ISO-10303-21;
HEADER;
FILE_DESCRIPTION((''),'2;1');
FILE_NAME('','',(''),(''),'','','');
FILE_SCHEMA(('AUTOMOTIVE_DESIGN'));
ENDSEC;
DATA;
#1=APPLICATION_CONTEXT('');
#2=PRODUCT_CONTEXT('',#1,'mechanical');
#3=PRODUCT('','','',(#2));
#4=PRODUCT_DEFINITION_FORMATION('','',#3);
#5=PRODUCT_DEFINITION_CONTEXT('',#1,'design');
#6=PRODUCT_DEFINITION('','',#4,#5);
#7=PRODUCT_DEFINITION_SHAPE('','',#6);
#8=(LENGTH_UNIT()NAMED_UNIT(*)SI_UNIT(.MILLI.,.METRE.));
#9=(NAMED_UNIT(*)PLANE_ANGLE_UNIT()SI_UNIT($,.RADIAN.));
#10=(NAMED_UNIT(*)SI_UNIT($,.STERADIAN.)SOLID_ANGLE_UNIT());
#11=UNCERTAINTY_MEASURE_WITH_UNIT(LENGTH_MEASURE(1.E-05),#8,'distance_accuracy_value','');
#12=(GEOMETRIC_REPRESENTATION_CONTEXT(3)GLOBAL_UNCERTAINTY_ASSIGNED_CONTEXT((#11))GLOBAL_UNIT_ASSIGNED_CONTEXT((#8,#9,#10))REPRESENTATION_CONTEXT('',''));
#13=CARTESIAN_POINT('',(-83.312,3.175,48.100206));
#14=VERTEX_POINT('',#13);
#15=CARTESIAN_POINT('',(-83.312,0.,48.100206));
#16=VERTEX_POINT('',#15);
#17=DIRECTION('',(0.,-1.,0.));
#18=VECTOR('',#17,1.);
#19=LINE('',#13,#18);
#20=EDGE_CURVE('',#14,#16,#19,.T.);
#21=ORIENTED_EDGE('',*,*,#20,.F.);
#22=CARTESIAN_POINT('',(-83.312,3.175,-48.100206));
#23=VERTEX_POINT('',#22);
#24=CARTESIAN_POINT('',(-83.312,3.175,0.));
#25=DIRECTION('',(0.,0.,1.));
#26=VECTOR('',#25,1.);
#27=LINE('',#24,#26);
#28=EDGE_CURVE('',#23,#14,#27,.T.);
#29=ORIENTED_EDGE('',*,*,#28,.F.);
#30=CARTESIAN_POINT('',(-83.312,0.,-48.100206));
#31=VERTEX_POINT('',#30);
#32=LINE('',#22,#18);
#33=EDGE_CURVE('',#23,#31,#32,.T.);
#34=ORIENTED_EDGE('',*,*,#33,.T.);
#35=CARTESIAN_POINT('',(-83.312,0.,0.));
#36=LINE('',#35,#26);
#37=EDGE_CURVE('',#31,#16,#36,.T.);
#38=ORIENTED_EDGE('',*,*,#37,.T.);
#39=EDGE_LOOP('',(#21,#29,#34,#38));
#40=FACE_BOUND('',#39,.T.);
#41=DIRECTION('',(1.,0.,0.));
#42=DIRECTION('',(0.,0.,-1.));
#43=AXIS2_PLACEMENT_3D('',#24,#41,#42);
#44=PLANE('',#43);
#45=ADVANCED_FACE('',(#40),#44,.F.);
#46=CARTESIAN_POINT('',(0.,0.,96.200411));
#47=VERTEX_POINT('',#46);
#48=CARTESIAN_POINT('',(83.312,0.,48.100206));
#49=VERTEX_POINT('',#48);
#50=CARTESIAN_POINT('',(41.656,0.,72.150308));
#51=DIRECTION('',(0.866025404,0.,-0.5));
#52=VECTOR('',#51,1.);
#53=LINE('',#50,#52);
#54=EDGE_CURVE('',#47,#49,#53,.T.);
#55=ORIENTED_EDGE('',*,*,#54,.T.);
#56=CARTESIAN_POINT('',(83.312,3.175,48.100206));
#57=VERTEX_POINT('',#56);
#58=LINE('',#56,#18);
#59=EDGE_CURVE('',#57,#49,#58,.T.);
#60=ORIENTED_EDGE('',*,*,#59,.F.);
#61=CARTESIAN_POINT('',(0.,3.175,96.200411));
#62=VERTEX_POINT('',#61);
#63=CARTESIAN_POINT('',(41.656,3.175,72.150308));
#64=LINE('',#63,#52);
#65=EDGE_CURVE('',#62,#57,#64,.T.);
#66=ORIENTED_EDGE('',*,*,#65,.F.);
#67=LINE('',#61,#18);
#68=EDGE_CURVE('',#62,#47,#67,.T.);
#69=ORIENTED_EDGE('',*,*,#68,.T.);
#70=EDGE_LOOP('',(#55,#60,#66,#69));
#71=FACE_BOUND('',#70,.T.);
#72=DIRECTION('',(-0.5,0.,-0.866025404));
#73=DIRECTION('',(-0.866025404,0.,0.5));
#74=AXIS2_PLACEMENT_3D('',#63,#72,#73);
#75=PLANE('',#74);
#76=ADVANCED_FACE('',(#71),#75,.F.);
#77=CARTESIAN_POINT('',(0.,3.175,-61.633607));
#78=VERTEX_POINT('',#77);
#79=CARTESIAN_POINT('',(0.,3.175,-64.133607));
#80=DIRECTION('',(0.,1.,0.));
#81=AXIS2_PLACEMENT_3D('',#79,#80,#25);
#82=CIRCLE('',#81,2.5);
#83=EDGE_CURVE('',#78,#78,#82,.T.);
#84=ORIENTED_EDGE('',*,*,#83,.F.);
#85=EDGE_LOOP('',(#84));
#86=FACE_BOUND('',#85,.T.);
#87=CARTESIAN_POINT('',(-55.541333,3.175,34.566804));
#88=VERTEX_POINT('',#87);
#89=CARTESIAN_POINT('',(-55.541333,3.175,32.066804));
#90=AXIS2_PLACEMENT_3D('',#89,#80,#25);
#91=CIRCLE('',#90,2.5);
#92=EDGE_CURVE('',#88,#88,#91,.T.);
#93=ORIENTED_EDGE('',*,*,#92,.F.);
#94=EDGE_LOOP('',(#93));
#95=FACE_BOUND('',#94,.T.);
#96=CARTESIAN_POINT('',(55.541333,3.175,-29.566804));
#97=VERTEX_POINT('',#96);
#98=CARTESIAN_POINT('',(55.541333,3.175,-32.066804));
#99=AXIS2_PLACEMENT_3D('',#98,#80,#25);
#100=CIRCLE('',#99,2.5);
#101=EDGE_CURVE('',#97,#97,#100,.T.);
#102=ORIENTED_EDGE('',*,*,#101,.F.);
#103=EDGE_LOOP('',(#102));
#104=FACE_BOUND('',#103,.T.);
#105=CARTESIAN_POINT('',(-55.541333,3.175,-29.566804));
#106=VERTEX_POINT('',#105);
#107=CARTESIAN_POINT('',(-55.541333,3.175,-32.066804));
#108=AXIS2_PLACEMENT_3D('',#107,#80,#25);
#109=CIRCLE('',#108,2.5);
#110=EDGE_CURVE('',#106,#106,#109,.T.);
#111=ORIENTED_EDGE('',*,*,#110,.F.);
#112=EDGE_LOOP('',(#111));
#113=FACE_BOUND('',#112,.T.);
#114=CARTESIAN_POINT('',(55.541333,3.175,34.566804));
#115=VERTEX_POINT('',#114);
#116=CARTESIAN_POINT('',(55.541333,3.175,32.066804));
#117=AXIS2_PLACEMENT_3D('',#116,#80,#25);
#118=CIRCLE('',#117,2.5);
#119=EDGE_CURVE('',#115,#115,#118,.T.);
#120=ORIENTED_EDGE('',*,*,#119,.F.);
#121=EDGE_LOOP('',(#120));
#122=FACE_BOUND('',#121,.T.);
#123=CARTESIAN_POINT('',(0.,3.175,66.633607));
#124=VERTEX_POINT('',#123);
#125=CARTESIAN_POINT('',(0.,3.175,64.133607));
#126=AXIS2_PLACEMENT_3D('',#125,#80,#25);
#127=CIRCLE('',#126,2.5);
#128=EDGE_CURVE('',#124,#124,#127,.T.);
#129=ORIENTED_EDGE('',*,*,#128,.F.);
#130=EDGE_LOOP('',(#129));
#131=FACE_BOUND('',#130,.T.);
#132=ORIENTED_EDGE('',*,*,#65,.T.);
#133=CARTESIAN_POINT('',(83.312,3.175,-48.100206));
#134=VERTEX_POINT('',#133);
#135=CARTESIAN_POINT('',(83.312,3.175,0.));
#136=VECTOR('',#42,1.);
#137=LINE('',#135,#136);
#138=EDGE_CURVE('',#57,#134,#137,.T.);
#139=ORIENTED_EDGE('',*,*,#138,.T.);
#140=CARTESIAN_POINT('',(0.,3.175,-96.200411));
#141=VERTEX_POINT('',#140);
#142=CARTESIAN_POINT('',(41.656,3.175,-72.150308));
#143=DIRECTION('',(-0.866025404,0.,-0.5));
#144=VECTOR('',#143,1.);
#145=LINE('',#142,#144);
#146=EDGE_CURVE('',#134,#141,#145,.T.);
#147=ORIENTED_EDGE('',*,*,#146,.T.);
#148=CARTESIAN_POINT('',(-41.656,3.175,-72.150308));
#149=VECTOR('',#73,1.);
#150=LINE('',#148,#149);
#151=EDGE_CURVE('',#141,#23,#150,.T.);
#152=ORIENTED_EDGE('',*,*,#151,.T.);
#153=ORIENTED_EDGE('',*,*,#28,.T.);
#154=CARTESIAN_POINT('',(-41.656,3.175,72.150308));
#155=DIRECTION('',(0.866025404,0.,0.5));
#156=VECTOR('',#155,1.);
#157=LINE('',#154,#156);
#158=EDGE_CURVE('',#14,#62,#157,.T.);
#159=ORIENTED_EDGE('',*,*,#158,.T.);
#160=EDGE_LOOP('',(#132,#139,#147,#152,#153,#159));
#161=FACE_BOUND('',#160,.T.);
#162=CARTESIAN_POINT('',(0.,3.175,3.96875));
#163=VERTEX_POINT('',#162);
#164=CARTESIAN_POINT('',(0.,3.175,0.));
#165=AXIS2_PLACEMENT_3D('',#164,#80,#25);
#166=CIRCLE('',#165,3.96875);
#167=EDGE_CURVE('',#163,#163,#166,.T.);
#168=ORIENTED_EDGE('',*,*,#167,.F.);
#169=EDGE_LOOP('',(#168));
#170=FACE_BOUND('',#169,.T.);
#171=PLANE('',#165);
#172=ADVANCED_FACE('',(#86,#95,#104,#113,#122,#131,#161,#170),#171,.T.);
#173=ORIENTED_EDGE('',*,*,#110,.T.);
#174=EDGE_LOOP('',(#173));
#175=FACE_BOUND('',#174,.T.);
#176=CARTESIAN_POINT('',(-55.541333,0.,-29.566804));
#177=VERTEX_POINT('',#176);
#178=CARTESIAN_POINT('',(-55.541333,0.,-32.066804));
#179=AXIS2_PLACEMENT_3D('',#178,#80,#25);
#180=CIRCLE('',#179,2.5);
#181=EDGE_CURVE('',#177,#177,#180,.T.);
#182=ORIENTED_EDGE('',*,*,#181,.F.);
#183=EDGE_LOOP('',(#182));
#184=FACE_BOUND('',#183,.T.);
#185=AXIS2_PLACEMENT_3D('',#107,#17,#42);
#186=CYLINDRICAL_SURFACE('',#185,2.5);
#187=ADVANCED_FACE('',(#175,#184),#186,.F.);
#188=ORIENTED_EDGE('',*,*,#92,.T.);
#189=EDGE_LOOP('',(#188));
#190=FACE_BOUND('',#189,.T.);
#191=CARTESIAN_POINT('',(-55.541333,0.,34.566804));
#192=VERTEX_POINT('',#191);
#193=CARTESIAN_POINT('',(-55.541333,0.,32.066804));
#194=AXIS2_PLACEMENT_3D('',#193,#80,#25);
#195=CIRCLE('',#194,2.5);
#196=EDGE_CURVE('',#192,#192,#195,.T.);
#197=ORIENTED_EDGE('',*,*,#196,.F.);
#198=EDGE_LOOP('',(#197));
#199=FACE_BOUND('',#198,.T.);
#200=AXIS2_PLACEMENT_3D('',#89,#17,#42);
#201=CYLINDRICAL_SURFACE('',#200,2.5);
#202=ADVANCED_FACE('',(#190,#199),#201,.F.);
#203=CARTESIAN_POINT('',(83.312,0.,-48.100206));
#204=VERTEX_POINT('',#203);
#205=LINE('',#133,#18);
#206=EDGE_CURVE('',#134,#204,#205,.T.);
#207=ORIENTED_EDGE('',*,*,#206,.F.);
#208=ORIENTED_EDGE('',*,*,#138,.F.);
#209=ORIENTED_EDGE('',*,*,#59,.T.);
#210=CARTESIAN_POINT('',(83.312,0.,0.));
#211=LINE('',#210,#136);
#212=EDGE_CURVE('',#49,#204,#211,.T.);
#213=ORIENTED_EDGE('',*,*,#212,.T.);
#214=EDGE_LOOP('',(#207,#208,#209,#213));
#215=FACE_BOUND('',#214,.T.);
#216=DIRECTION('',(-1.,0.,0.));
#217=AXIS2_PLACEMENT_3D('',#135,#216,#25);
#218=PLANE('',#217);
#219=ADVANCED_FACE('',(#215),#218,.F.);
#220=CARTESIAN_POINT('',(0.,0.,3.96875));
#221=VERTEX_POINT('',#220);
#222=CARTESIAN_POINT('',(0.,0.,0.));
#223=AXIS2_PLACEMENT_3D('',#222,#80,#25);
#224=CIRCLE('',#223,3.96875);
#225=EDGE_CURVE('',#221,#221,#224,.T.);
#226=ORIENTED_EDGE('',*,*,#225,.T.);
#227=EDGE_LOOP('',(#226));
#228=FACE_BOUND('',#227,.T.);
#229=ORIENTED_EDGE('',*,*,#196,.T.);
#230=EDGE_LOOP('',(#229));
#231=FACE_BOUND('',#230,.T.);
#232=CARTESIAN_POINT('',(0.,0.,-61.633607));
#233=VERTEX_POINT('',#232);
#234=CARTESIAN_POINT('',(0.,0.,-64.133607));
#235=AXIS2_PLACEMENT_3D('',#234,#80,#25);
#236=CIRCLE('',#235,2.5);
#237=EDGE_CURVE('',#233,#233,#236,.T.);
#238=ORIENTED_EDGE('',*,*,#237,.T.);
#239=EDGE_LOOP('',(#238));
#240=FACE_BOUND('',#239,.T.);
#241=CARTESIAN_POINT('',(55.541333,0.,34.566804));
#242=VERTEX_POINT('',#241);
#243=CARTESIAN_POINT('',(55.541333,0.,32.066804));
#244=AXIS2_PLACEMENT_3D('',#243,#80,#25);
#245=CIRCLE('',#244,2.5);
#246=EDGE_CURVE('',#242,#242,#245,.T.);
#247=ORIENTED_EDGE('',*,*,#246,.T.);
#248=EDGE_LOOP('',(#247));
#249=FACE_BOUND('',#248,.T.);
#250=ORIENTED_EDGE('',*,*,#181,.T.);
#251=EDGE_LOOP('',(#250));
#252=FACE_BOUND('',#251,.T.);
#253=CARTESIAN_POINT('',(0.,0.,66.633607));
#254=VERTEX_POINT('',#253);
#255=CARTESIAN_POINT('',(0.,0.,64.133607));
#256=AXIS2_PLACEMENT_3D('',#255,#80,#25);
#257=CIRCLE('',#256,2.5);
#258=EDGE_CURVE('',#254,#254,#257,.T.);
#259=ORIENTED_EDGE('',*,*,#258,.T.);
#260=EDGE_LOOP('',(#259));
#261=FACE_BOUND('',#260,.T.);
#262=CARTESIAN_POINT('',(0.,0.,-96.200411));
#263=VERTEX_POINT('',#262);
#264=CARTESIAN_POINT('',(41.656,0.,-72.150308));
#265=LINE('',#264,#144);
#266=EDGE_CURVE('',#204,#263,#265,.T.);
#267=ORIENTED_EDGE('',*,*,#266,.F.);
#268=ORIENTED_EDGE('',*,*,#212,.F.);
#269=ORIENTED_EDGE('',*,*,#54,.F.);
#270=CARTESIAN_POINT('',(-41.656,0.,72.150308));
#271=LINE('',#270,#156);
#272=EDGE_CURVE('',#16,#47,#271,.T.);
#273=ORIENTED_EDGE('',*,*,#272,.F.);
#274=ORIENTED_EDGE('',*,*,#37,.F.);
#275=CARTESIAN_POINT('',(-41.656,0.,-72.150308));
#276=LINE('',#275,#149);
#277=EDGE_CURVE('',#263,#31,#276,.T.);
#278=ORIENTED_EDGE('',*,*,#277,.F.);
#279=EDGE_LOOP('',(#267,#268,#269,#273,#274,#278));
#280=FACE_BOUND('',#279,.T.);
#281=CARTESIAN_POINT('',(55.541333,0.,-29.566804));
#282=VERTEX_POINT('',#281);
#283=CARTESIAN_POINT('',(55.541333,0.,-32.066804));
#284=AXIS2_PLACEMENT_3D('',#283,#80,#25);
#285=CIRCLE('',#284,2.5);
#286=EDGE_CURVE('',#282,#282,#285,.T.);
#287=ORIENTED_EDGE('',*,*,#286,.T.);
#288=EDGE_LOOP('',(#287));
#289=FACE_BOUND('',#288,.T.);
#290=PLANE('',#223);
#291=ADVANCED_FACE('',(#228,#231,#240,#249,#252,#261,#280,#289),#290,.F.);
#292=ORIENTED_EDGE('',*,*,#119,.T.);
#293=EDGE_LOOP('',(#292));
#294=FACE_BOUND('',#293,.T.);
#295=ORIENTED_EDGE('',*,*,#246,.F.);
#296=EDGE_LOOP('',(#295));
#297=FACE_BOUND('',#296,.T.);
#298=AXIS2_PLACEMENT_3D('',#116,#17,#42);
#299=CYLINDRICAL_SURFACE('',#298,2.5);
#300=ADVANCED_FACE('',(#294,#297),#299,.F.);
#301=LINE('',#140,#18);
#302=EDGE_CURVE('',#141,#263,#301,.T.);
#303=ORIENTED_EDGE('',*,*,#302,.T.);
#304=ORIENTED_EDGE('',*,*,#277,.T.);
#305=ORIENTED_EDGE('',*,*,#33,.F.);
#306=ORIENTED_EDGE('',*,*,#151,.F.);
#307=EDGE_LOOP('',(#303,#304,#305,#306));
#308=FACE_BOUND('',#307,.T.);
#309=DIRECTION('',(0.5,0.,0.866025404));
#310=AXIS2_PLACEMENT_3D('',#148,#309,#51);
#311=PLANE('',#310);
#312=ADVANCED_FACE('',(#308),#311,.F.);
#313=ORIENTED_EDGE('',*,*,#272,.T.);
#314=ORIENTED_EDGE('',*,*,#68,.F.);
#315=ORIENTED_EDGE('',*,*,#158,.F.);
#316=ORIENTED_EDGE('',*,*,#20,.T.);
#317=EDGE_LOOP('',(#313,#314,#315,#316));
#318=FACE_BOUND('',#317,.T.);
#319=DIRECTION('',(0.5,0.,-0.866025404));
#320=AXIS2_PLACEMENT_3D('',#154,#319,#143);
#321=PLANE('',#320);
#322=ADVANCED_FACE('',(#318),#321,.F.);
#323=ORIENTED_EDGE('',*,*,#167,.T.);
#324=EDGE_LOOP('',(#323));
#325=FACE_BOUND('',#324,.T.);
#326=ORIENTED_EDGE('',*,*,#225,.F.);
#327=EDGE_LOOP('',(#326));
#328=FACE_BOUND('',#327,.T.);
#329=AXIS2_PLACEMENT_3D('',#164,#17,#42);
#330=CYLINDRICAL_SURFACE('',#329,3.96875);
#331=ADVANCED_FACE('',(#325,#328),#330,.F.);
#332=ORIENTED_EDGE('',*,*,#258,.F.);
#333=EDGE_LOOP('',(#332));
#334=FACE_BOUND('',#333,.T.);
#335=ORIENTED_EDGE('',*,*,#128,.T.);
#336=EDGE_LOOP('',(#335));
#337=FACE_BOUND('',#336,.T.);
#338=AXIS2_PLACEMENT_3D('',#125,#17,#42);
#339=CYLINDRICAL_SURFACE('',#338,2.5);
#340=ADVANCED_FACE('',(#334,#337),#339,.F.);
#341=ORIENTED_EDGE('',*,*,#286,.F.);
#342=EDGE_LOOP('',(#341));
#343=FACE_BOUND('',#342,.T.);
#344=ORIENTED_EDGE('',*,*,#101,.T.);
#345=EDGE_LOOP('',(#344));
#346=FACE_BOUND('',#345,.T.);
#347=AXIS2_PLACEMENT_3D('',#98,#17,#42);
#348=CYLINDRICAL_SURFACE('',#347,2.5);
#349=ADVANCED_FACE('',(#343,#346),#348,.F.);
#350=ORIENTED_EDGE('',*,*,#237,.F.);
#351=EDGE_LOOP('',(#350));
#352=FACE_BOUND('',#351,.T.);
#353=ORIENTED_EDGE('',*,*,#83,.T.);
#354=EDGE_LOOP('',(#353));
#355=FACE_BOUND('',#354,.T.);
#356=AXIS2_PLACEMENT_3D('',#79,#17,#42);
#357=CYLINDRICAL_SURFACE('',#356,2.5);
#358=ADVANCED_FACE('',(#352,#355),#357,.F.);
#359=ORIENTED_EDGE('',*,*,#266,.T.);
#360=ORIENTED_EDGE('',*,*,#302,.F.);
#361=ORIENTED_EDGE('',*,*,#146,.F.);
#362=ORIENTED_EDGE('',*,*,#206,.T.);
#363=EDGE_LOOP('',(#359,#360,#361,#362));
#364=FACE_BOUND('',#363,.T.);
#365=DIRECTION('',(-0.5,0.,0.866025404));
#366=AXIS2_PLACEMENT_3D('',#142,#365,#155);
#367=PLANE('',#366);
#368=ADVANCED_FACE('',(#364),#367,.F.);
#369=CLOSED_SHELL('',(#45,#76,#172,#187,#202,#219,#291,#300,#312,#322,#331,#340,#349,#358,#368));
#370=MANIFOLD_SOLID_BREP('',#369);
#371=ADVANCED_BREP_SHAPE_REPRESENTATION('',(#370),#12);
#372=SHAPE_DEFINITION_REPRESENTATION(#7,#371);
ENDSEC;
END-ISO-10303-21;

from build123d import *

# Parameters (mm, degrees)
SKETCH2_R           = 2.5
SKETCH2_R_2         = 3.96875
BOSS_EXTRUDE1_DEPTH = 3.175


with BuildPart() as part:
    # Sketch2 → Boss-Extrude1 (new body)
    with BuildSketch(Plane(origin=(0, 0, 0), x_dir=(1, 0, 0), z_dir=(0, 1, 0))):
        Polygon((0, 96.200411253), (-41.656, 72.15030844), (-83.312, 48.100205627), (-83.312, -48.100205627), (0, -96.200411253), (83.312, -48.100205627), (83.312, 48.100205627), align=None)
        with Locations((-55.541333303, -32.066803734)):
            Circle(SKETCH2_R, mode=Mode.SUBTRACT)
        with Locations((0, -64.133607467)):
            Circle(SKETCH2_R, mode=Mode.SUBTRACT)
        with Locations((55.541333303, -32.066803734)):
            Circle(SKETCH2_R, mode=Mode.SUBTRACT)
        with Locations((-55.541333303, 32.066803734)):
            Circle(SKETCH2_R, mode=Mode.SUBTRACT)
        Circle(SKETCH2_R_2, mode=Mode.SUBTRACT)
        with Locations((0, 64.133607467)):
            Circle(SKETCH2_R, mode=Mode.SUBTRACT)
        with Locations((55.541333303, 32.066803734)):
            Circle(SKETCH2_R, mode=Mode.SUBTRACT)
    extrude(amount=BOSS_EXTRUDE1_DEPTH)


solid = part.part
